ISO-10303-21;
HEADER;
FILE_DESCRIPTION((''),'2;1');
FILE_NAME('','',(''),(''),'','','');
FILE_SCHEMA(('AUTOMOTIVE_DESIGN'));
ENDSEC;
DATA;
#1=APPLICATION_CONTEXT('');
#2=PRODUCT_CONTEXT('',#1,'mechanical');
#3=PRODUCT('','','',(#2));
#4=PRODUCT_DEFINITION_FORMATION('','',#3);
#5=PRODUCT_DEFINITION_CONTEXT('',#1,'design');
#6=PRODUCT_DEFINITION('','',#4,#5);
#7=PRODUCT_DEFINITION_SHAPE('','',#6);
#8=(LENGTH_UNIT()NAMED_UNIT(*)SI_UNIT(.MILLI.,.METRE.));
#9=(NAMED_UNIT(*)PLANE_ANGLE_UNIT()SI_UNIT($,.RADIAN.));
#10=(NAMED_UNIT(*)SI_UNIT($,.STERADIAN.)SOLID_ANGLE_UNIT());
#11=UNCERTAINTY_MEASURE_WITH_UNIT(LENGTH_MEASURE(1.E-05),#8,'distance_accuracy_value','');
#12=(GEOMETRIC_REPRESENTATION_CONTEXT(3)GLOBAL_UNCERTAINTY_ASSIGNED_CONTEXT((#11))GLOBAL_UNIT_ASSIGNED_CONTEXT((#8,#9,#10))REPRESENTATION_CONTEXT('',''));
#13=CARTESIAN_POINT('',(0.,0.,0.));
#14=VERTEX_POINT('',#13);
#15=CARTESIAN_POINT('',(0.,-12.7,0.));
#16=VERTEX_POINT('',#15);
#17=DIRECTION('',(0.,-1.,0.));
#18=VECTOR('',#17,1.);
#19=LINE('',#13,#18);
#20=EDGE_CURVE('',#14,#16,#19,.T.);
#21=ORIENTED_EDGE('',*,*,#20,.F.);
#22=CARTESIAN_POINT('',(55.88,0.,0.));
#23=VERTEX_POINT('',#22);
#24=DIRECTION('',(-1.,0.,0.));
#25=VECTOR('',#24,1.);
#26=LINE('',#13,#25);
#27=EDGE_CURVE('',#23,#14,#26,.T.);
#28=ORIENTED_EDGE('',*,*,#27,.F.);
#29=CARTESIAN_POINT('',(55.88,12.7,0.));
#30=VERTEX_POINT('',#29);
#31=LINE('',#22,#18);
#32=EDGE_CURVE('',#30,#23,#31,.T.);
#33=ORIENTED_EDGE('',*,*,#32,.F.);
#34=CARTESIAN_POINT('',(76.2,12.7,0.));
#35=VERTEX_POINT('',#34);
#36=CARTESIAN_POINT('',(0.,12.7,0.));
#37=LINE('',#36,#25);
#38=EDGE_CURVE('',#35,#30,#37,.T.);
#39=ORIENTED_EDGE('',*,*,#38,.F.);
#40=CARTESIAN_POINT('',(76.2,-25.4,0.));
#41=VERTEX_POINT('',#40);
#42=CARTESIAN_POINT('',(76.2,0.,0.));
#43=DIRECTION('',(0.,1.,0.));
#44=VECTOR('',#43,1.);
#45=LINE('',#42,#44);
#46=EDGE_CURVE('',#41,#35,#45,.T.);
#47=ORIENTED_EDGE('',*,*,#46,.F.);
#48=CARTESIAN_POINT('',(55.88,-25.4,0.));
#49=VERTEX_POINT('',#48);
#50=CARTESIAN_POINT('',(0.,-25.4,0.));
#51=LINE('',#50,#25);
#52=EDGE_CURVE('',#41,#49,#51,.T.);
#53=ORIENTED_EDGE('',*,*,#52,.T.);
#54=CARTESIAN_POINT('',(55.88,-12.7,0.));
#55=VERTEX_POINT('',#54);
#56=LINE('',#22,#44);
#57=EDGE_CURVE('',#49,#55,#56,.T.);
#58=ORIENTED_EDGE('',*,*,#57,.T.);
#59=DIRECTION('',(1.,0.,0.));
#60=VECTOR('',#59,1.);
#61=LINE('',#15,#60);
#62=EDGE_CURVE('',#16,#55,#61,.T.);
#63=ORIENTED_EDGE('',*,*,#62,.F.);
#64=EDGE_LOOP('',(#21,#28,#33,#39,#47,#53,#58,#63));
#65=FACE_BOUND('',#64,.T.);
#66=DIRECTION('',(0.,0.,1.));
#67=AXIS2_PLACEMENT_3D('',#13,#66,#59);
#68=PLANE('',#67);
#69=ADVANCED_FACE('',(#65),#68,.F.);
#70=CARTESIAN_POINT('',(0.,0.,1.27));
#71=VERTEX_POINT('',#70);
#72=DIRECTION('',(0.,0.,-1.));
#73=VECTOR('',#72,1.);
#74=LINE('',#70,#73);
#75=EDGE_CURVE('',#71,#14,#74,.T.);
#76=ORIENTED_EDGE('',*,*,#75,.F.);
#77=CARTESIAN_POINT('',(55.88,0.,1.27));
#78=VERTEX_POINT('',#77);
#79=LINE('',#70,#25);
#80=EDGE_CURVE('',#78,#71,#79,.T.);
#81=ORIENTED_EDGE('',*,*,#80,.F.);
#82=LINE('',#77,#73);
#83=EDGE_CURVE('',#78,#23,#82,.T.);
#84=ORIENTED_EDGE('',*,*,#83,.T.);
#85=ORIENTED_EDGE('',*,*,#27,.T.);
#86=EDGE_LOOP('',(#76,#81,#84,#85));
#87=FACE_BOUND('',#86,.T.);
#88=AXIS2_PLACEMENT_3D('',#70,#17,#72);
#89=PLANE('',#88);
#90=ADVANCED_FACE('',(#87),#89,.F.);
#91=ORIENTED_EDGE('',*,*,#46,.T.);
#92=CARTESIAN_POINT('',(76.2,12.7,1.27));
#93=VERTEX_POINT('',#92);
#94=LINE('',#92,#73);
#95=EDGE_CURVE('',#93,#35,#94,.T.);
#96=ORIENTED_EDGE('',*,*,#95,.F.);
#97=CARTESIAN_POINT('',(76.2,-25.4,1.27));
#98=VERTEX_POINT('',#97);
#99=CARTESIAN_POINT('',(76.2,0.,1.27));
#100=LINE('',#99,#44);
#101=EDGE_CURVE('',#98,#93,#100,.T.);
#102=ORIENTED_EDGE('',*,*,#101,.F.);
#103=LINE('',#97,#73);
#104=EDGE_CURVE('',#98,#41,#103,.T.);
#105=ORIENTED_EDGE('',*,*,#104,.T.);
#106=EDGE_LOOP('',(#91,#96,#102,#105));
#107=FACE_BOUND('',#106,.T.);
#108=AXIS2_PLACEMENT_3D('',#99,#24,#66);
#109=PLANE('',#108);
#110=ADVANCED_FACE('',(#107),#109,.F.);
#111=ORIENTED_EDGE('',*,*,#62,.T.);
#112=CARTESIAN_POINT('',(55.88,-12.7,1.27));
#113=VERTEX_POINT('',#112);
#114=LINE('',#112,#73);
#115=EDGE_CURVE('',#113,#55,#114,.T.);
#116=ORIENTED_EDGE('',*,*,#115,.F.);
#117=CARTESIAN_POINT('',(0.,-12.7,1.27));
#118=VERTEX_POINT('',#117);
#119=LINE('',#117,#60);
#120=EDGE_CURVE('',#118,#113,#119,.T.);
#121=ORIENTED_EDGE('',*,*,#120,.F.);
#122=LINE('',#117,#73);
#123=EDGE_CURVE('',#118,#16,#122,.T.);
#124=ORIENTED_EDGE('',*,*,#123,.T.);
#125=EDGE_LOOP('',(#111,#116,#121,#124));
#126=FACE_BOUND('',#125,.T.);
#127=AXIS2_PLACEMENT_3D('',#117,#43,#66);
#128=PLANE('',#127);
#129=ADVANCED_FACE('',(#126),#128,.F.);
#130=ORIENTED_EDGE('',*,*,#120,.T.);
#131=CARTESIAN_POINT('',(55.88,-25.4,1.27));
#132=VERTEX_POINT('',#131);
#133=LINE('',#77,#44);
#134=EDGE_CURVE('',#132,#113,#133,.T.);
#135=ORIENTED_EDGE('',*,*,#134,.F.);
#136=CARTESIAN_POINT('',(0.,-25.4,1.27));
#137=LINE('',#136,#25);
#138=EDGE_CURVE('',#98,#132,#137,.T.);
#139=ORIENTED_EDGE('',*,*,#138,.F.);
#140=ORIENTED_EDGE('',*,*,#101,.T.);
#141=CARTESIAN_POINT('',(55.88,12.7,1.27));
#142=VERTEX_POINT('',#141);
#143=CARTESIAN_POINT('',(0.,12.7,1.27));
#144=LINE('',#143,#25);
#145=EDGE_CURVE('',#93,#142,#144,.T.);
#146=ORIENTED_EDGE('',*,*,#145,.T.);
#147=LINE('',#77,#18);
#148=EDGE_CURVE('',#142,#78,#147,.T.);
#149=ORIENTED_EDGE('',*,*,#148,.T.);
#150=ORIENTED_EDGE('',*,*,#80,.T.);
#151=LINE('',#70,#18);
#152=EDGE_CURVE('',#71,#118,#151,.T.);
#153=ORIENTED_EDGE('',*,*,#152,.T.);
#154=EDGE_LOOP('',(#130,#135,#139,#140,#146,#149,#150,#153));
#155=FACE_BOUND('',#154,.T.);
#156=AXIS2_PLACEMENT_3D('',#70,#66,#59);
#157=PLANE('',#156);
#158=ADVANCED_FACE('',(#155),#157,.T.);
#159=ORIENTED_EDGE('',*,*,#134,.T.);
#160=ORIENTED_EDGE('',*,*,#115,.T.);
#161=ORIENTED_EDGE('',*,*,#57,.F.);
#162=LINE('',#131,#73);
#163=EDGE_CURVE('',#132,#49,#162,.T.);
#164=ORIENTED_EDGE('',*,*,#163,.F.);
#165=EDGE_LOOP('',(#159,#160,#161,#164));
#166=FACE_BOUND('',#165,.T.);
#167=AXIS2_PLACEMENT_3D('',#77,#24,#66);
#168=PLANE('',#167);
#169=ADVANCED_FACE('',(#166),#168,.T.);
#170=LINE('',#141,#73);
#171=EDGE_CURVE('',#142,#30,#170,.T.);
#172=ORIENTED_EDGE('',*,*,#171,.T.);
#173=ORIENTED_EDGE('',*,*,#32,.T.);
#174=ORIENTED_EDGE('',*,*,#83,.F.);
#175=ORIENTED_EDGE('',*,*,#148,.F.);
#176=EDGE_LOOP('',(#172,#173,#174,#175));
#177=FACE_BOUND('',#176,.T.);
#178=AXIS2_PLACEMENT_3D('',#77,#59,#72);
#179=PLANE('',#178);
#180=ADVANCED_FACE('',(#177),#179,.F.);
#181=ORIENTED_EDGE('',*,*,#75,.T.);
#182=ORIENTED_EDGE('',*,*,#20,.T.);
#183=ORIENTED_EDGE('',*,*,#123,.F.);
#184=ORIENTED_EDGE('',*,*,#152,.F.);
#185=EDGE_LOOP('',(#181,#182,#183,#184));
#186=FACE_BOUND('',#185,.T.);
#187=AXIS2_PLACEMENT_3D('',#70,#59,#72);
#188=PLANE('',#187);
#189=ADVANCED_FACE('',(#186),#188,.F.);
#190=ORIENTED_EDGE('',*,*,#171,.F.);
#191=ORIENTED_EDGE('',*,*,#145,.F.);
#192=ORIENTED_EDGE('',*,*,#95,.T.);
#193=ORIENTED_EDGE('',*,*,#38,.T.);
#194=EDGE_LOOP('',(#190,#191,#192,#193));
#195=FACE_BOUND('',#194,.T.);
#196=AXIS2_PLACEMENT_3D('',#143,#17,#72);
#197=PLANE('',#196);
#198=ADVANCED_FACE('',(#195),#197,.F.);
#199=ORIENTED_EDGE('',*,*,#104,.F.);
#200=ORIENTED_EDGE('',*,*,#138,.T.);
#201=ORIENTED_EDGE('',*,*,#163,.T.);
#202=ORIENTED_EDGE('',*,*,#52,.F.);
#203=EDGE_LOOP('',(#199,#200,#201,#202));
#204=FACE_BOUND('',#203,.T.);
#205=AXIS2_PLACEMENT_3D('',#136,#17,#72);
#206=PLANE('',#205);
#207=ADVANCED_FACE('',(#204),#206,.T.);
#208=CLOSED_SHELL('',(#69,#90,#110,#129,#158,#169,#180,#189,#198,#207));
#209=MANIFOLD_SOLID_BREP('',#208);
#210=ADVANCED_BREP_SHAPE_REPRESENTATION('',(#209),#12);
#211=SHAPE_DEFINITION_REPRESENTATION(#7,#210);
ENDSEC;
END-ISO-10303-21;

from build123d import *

# Parameters (mm, degrees)
SKETCH1_W           = 76.2
SKETCH1_H           = 12.7
BOSS_EXTRUDE1_DEPTH = 1.27
SKETCH2_W           = 20.32
SKETCH2_H           = 12.7
BOSS_EXTRUDE4_DEPTH = 1.27


with BuildPart() as part:
    # Sketch1 → Boss-Extrude1 (new body)
    with BuildSketch(Plane.XY):
        with Locations((38.1, -6.35)):
            Rectangle(SKETCH1_W, SKETCH1_H)
    extrude(amount=BOSS_EXTRUDE1_DEPTH)

    # Sketch2 → Boss-Extrude4 (add)
    with BuildSketch(Plane(origin=(0, 0, 0), x_dir=(-1, 0, 0), z_dir=(0, 0, -1))):
        with Locations((-66.04, 6.35)):
            Rectangle(SKETCH2_W, SKETCH2_H)
        with Locations((-66.04, -19.05)):
            Rectangle(SKETCH2_W, SKETCH2_H)
    extrude(amount=-BOSS_EXTRUDE4_DEPTH)


solid = part.part
